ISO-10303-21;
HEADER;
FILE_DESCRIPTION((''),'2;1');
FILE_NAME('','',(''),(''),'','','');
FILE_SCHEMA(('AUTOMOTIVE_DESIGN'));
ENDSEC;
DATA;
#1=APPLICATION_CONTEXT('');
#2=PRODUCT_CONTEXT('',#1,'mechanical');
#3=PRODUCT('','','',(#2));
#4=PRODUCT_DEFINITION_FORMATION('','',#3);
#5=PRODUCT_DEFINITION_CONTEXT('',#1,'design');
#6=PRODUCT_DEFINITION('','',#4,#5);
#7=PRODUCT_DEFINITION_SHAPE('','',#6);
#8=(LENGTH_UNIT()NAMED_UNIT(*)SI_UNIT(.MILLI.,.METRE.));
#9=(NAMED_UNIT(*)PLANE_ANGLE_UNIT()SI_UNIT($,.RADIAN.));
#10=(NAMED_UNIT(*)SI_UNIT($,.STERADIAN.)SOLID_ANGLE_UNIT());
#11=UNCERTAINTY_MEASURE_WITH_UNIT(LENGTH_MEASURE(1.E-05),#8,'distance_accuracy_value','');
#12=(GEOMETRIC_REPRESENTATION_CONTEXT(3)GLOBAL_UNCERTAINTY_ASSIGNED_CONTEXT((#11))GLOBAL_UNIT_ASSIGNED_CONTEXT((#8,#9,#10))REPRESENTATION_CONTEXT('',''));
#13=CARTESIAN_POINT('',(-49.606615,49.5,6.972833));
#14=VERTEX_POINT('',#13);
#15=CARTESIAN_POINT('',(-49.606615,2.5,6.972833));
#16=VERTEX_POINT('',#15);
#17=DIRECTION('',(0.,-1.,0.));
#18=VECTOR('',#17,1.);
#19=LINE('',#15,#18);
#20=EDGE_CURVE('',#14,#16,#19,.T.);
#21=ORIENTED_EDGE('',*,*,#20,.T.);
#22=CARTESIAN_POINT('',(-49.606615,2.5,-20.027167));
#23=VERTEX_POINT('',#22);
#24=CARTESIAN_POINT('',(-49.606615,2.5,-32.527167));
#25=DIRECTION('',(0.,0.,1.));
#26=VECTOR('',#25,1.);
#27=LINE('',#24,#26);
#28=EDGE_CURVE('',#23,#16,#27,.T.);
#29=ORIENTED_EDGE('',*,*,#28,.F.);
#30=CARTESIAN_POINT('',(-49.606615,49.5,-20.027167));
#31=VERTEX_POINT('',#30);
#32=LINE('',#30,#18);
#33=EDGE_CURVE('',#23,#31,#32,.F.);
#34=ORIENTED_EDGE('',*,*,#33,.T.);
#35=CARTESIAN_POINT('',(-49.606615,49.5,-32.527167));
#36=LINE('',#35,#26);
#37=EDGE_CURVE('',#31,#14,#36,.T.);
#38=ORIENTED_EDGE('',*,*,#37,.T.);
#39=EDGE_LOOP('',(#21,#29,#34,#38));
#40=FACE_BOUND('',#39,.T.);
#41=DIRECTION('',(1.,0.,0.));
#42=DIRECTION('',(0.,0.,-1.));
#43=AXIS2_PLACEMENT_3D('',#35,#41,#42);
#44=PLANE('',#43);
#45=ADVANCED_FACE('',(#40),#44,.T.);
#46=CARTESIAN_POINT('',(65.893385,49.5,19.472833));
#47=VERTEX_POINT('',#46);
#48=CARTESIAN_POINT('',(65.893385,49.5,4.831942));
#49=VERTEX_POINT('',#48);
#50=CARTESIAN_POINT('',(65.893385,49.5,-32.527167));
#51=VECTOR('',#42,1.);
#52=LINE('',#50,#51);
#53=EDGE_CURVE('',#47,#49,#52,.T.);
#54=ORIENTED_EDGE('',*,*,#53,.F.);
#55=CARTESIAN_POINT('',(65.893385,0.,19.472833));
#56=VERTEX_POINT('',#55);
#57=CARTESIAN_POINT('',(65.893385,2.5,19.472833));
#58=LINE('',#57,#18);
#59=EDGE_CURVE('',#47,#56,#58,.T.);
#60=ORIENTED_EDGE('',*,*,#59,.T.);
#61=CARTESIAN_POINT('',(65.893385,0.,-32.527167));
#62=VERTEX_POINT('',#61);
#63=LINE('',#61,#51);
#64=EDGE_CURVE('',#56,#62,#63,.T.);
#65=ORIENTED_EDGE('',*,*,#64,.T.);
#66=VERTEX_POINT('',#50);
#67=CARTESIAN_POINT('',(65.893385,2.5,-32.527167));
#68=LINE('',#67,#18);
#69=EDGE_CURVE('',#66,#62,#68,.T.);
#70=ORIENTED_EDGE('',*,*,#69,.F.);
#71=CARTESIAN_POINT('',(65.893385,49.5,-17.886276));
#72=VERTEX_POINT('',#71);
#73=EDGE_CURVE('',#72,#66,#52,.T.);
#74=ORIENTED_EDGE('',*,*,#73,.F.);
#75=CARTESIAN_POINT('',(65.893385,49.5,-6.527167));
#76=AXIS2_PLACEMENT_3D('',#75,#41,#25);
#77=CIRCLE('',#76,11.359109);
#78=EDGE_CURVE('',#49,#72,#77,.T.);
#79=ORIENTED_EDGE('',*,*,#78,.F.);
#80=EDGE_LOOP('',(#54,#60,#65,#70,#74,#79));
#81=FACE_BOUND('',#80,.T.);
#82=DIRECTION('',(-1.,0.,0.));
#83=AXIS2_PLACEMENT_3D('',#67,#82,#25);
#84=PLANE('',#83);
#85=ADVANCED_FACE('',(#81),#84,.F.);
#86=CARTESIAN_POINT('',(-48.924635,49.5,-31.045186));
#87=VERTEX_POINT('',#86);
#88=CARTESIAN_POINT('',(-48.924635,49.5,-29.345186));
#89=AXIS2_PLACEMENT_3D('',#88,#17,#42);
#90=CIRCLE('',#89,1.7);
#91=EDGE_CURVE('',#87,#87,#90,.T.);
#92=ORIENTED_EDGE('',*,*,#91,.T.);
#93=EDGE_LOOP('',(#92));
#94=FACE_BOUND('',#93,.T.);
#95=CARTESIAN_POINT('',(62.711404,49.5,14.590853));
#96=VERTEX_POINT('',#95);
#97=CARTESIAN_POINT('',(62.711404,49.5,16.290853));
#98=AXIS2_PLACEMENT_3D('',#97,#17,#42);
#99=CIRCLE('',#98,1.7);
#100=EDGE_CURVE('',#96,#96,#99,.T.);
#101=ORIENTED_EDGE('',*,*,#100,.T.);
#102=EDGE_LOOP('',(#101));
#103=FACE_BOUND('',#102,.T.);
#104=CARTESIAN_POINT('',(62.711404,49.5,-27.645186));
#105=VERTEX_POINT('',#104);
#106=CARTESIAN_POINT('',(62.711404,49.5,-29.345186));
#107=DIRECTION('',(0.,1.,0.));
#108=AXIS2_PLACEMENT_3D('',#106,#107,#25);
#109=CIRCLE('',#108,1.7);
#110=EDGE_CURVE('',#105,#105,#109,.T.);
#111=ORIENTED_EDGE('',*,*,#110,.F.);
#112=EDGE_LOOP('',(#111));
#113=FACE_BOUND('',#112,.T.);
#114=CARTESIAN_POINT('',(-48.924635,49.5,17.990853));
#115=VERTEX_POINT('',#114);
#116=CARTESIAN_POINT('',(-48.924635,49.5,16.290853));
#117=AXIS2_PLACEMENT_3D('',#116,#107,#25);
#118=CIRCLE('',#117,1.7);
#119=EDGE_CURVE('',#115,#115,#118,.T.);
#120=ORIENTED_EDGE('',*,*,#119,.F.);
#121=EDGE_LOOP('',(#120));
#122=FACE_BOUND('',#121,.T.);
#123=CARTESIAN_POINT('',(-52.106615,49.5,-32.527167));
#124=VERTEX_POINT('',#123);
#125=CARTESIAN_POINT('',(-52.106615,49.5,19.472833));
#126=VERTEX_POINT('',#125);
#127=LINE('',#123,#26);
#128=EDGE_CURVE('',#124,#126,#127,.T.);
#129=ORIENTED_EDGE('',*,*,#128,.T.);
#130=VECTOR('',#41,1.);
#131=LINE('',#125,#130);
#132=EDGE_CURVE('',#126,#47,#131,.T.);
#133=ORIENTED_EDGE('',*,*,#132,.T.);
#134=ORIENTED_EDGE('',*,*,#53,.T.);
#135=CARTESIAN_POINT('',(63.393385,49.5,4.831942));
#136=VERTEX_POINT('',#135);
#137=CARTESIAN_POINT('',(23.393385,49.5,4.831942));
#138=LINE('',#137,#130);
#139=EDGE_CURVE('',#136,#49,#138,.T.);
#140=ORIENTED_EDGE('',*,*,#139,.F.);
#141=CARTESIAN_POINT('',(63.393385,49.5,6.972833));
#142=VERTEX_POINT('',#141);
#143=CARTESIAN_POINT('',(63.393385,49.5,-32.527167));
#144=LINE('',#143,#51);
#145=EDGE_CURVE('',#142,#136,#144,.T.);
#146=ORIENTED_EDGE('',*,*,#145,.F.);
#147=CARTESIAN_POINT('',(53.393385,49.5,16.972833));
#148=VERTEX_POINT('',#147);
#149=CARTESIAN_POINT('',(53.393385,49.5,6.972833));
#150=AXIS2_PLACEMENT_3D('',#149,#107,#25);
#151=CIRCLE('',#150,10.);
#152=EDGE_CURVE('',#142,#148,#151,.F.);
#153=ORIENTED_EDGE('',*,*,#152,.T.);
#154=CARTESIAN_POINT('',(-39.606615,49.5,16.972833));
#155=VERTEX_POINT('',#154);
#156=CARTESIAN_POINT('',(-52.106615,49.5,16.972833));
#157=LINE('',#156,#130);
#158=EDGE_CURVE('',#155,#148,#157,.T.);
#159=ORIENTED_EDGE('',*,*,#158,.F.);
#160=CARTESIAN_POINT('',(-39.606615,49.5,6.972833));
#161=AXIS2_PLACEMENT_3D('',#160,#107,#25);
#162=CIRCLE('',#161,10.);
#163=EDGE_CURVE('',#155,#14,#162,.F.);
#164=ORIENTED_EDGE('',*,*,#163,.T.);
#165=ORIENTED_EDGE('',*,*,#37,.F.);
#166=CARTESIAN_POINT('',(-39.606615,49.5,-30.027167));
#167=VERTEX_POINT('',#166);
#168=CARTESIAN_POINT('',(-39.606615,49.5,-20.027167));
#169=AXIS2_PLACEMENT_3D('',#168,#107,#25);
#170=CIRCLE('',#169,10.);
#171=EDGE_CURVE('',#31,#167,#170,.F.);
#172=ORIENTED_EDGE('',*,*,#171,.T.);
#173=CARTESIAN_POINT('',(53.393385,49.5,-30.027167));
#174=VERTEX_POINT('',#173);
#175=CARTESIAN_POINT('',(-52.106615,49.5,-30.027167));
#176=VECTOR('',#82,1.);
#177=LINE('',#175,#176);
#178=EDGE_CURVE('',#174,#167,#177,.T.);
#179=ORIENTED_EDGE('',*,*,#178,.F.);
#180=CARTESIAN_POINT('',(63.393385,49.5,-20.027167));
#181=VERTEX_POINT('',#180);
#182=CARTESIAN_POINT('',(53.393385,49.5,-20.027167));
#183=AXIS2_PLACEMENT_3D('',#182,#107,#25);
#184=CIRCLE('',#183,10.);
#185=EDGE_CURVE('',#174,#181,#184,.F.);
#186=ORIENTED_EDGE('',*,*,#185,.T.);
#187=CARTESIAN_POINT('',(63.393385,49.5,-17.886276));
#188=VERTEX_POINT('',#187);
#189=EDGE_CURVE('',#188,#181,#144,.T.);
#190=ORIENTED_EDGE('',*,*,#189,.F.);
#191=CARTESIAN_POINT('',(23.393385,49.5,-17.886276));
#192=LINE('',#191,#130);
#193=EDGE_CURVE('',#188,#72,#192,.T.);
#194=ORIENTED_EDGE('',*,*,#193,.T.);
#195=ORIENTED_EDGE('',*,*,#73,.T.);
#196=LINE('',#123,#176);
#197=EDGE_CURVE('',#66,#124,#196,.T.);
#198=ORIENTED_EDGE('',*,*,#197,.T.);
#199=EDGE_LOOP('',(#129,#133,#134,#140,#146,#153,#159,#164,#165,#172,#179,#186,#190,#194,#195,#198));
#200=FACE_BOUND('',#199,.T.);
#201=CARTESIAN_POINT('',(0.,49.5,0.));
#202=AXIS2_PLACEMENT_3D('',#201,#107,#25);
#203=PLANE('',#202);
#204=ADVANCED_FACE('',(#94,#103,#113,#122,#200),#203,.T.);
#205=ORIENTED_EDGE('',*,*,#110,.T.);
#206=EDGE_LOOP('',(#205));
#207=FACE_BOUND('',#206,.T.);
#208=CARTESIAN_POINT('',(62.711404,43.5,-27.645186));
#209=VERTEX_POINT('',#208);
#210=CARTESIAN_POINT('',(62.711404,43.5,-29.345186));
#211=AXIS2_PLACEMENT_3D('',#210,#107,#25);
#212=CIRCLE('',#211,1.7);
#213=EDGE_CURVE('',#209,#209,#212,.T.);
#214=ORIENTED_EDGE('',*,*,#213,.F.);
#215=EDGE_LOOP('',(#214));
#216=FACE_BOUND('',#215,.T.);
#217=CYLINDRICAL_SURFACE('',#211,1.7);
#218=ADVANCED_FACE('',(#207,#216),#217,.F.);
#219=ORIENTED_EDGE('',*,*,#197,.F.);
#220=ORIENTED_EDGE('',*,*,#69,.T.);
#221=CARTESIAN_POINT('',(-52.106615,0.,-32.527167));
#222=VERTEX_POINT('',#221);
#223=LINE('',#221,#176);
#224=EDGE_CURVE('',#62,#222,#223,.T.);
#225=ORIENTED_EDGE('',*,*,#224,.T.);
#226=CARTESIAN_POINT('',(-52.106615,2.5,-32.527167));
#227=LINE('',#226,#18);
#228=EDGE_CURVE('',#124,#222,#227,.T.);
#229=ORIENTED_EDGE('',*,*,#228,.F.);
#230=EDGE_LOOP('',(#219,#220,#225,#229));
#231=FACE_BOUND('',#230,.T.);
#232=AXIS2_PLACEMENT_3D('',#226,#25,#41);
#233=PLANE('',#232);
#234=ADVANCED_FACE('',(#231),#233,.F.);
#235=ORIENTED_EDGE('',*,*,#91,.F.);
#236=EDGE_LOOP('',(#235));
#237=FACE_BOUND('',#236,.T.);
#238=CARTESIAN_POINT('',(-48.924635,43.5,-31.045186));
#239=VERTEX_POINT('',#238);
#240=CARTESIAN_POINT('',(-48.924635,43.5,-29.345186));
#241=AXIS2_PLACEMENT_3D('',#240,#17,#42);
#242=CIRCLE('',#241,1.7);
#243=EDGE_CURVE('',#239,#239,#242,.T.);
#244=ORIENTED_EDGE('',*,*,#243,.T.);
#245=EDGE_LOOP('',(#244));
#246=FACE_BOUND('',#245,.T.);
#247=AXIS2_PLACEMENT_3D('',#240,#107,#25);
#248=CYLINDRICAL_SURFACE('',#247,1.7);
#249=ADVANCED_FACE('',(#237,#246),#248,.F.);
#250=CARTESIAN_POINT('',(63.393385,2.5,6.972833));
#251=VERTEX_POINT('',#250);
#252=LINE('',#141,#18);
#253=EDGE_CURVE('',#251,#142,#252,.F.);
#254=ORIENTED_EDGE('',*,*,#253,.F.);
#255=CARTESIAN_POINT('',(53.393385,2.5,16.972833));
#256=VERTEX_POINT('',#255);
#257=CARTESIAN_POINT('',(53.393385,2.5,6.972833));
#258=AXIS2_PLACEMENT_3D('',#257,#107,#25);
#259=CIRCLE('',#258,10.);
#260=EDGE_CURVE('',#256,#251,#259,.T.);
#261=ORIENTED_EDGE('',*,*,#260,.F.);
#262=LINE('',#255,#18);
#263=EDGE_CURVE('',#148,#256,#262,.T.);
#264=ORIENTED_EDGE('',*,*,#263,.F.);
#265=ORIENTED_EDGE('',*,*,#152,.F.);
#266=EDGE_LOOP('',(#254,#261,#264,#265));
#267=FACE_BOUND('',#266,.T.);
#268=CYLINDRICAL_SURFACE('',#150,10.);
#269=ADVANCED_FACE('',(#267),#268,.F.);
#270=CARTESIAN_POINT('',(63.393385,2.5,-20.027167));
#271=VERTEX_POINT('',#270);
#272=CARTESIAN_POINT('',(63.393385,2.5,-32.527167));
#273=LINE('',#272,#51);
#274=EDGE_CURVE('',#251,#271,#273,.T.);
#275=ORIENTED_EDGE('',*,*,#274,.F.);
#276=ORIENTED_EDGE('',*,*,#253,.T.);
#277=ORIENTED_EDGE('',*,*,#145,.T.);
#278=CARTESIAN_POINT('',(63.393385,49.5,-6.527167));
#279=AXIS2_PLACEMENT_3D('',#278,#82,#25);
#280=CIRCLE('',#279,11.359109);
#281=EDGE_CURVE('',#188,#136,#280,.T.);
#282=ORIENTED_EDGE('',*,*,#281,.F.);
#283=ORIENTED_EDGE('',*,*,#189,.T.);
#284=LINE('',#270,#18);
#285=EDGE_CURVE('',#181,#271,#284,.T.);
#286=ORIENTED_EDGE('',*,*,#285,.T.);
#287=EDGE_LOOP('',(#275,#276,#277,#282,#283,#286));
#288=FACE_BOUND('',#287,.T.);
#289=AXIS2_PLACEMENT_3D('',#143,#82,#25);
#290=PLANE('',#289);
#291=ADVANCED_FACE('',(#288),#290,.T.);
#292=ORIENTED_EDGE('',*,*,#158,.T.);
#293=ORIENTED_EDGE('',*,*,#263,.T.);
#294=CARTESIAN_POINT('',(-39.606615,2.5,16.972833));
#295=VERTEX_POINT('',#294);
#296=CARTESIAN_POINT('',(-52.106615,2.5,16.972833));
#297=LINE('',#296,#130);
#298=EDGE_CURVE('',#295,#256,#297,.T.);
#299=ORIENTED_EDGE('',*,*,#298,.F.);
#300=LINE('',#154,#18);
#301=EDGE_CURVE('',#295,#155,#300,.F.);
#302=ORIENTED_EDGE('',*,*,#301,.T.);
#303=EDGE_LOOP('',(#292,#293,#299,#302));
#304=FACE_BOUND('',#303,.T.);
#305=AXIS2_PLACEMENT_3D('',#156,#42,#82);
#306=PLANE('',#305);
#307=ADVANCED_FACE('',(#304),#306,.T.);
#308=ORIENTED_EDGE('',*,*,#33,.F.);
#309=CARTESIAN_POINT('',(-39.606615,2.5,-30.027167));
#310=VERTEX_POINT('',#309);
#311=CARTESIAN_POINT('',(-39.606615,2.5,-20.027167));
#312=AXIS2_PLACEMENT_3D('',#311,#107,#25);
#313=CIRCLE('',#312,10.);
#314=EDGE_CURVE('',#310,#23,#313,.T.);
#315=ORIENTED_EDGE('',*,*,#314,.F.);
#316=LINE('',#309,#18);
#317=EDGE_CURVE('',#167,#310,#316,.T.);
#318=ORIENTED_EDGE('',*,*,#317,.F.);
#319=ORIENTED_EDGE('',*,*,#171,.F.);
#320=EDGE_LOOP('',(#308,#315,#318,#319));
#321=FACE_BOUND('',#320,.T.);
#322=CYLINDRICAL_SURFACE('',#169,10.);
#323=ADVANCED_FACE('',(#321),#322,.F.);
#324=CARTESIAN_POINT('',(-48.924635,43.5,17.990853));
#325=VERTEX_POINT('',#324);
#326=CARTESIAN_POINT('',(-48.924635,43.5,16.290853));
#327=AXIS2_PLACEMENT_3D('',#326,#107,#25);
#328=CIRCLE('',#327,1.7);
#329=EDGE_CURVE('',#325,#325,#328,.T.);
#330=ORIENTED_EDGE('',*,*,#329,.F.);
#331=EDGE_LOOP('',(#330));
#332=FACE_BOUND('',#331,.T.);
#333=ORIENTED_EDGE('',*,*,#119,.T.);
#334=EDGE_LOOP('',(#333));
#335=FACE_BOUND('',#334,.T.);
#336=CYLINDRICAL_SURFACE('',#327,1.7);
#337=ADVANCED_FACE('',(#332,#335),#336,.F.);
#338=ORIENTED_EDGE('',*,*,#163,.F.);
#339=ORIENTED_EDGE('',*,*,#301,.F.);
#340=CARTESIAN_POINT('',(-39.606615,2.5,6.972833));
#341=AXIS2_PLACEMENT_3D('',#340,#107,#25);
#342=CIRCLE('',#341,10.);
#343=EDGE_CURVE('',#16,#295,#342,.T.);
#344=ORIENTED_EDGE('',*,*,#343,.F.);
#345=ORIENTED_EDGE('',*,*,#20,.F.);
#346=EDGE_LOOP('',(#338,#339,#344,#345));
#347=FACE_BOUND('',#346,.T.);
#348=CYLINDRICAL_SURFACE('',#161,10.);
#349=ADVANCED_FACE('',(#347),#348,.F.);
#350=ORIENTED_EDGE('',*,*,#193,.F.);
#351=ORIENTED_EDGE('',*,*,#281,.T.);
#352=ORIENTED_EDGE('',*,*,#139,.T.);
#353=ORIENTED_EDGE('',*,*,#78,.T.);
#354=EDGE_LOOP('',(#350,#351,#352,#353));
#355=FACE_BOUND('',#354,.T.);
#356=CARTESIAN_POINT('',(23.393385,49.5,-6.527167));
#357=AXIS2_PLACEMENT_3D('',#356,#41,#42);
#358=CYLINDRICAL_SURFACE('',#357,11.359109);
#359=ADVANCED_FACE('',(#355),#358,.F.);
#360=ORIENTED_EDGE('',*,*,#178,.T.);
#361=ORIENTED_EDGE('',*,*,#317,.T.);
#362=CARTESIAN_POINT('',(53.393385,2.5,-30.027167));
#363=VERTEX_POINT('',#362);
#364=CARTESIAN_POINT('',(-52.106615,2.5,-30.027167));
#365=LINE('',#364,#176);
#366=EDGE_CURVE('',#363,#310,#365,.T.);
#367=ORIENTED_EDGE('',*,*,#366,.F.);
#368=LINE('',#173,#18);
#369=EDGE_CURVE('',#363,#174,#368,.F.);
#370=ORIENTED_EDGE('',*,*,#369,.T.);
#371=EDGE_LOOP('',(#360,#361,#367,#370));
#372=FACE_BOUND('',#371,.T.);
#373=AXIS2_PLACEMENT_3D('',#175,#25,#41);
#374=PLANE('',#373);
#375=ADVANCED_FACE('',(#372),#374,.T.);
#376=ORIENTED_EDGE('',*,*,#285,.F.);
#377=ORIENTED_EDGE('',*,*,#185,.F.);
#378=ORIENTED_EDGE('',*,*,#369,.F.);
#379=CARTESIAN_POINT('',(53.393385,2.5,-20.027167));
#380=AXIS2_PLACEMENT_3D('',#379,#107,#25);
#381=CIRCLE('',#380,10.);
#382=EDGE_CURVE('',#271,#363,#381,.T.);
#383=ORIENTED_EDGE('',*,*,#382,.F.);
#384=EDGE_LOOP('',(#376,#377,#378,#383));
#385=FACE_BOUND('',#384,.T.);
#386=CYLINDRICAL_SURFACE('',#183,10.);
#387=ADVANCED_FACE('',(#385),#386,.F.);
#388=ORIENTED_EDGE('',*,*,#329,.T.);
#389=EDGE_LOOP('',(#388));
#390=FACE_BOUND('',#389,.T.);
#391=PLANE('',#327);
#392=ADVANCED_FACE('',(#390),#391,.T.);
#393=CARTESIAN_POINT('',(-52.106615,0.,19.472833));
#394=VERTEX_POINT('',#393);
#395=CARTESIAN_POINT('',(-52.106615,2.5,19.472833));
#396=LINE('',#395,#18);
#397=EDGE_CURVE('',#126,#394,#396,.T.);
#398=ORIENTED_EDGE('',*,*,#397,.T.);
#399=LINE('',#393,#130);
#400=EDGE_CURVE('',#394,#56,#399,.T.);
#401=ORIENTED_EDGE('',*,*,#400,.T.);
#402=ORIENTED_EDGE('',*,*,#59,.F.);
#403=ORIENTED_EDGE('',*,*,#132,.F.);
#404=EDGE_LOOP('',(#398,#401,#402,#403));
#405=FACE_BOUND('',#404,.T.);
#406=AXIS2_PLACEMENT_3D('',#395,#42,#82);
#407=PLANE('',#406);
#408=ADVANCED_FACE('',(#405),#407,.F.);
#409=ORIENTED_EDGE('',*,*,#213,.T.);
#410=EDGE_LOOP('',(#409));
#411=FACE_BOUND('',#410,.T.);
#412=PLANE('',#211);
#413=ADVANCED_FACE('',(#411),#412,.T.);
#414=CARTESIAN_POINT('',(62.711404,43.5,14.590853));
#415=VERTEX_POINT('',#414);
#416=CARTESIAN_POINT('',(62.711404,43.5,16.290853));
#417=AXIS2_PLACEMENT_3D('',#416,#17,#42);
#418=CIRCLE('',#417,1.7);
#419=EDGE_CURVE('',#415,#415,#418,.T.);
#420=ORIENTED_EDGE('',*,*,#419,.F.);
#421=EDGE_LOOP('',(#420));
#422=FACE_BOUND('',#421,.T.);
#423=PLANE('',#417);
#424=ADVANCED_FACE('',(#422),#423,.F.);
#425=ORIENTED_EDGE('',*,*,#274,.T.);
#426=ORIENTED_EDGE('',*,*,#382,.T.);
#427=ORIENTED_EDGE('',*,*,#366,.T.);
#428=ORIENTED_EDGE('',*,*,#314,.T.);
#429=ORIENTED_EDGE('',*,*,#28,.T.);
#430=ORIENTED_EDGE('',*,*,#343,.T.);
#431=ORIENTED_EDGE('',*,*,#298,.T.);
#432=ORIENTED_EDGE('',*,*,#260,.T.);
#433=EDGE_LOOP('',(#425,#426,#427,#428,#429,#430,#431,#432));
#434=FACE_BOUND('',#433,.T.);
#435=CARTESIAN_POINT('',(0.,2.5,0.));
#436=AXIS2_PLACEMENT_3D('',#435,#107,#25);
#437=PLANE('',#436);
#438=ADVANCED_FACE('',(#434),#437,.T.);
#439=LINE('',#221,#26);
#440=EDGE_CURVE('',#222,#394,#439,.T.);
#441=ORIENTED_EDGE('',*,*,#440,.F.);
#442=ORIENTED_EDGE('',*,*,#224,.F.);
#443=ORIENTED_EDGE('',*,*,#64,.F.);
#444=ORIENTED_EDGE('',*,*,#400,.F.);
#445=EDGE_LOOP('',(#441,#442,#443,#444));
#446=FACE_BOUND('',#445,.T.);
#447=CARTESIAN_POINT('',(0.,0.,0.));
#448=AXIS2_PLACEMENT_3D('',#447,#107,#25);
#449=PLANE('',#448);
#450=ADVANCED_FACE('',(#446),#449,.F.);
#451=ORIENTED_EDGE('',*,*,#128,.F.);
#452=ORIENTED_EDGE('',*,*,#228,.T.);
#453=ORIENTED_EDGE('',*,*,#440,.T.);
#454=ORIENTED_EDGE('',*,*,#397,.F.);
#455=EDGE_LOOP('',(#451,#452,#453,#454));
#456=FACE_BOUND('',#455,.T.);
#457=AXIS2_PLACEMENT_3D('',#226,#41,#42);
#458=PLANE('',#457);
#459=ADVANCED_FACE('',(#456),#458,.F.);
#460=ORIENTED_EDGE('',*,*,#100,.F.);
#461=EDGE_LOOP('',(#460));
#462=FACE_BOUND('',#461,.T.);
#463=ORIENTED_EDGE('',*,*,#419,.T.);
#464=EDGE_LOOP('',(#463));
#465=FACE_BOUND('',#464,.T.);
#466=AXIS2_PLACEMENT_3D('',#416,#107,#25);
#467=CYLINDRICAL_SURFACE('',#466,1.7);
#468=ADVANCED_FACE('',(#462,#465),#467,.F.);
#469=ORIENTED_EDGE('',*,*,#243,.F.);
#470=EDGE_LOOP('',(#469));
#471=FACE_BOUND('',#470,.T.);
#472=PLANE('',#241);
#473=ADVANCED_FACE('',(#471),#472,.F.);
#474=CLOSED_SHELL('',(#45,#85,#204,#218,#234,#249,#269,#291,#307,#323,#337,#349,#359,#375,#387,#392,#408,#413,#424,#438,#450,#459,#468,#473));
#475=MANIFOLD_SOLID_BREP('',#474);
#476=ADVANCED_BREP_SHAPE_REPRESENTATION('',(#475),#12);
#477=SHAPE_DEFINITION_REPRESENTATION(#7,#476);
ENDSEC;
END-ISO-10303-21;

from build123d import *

# Parameters (mm, degrees)
SKETCH1_W           = 118
SKETCH1_H           = 52
BOSS_EXTRUDE1_DEPTH = 2.5
SKETCH2_W           = 118
SKETCH2_H           = 52
SKETCH2_W_2         = 113
SKETCH2_H_2         = 47
EXTRUDE_THIN1_DEPTH = 47
FILLET1_R           = 10
CUT_EXTRUDE1_DEPTH  = 42.5
SKETCH5_R           = 1.7
CUT_EXTRUDE2_DEPTH  = 6


with BuildPart() as part:
    # Sketch1 → Boss-Extrude1 (new body)
    with BuildSketch(Plane(origin=(0, 0, 0), x_dir=(1, 0, 0), z_dir=(0, 1, 0))):
        with Locations((6.893384754, 6.527166983)):
            Rectangle(SKETCH1_W, SKETCH1_H)
    extrude(amount=BOSS_EXTRUDE1_DEPTH)

    # Sketch2 → Extrude-Thin1 (add)
    with BuildSketch(Plane(origin=(0, 2.5, 0), x_dir=(1, 0, 0), z_dir=(0, 1, 0))):
        with Locations((6.893384754, 6.527166983)):
            Rectangle(SKETCH2_W, SKETCH2_H)
        with Locations((6.893384754, 6.527166983)):
            Rectangle(SKETCH2_W_2, SKETCH2_H_2, mode=Mode.SUBTRACT)
    extrude(amount=EXTRUDE_THIN1_DEPTH)

    # Fillet1
    fillet1_edges = [part.edges().sort_by_distance(p)[0] for p in [
        (-49.606615246, 26, 16.972833017),
        (63.393384754, 26, 16.972833017),
        (63.393384754, 26, -30.027166983),
        (-49.606615246, 26, -30.027166983),
    ]]
    fillet(fillet1_edges, radius=FILLET1_R)

    # Sketch3 → Cut-Extrude1 (cut)
    with BuildSketch(Plane(origin=(65.893384754, 0, 0), x_dir=(0, 0, -1), z_dir=(1, 0, 0))):
        with BuildLine():
            Line((-4.831942317, 49.5), (17.886276283, 49.5))
            ThreePointArc((17.886276283, 49.5), (6.527166983, 38.1408907), (-4.831942317, 49.5))
        make_face()
    extrude(amount=-CUT_EXTRUDE1_DEPTH, mode=Mode.SUBTRACT)

    # Sketch5 → Cut-Extrude2 (cut)
    with BuildSketch(Plane(origin=(0, 49.5, 0), x_dir=(1, 0, 0), z_dir=(0, 1, 0))):
        with Locations(Location((-48.924634731, -16.290852502, 0), (0, 0, 270))):
            Circle(SKETCH5_R)
        with Locations(Location((-48.924634731, 29.345186468, 0), (0, 0, 90))):
            Circle(SKETCH5_R)
        with Locations(Location((62.711404239, -16.290852502, 0), (0, 0, 90))):
            Circle(SKETCH5_R)
        with Locations(Location((62.711404239, 29.345186468, 0), (0, 0, 270))):
            Circle(SKETCH5_R)
    extrude(amount=-CUT_EXTRUDE2_DEPTH, mode=Mode.SUBTRACT)


solid = part.part
